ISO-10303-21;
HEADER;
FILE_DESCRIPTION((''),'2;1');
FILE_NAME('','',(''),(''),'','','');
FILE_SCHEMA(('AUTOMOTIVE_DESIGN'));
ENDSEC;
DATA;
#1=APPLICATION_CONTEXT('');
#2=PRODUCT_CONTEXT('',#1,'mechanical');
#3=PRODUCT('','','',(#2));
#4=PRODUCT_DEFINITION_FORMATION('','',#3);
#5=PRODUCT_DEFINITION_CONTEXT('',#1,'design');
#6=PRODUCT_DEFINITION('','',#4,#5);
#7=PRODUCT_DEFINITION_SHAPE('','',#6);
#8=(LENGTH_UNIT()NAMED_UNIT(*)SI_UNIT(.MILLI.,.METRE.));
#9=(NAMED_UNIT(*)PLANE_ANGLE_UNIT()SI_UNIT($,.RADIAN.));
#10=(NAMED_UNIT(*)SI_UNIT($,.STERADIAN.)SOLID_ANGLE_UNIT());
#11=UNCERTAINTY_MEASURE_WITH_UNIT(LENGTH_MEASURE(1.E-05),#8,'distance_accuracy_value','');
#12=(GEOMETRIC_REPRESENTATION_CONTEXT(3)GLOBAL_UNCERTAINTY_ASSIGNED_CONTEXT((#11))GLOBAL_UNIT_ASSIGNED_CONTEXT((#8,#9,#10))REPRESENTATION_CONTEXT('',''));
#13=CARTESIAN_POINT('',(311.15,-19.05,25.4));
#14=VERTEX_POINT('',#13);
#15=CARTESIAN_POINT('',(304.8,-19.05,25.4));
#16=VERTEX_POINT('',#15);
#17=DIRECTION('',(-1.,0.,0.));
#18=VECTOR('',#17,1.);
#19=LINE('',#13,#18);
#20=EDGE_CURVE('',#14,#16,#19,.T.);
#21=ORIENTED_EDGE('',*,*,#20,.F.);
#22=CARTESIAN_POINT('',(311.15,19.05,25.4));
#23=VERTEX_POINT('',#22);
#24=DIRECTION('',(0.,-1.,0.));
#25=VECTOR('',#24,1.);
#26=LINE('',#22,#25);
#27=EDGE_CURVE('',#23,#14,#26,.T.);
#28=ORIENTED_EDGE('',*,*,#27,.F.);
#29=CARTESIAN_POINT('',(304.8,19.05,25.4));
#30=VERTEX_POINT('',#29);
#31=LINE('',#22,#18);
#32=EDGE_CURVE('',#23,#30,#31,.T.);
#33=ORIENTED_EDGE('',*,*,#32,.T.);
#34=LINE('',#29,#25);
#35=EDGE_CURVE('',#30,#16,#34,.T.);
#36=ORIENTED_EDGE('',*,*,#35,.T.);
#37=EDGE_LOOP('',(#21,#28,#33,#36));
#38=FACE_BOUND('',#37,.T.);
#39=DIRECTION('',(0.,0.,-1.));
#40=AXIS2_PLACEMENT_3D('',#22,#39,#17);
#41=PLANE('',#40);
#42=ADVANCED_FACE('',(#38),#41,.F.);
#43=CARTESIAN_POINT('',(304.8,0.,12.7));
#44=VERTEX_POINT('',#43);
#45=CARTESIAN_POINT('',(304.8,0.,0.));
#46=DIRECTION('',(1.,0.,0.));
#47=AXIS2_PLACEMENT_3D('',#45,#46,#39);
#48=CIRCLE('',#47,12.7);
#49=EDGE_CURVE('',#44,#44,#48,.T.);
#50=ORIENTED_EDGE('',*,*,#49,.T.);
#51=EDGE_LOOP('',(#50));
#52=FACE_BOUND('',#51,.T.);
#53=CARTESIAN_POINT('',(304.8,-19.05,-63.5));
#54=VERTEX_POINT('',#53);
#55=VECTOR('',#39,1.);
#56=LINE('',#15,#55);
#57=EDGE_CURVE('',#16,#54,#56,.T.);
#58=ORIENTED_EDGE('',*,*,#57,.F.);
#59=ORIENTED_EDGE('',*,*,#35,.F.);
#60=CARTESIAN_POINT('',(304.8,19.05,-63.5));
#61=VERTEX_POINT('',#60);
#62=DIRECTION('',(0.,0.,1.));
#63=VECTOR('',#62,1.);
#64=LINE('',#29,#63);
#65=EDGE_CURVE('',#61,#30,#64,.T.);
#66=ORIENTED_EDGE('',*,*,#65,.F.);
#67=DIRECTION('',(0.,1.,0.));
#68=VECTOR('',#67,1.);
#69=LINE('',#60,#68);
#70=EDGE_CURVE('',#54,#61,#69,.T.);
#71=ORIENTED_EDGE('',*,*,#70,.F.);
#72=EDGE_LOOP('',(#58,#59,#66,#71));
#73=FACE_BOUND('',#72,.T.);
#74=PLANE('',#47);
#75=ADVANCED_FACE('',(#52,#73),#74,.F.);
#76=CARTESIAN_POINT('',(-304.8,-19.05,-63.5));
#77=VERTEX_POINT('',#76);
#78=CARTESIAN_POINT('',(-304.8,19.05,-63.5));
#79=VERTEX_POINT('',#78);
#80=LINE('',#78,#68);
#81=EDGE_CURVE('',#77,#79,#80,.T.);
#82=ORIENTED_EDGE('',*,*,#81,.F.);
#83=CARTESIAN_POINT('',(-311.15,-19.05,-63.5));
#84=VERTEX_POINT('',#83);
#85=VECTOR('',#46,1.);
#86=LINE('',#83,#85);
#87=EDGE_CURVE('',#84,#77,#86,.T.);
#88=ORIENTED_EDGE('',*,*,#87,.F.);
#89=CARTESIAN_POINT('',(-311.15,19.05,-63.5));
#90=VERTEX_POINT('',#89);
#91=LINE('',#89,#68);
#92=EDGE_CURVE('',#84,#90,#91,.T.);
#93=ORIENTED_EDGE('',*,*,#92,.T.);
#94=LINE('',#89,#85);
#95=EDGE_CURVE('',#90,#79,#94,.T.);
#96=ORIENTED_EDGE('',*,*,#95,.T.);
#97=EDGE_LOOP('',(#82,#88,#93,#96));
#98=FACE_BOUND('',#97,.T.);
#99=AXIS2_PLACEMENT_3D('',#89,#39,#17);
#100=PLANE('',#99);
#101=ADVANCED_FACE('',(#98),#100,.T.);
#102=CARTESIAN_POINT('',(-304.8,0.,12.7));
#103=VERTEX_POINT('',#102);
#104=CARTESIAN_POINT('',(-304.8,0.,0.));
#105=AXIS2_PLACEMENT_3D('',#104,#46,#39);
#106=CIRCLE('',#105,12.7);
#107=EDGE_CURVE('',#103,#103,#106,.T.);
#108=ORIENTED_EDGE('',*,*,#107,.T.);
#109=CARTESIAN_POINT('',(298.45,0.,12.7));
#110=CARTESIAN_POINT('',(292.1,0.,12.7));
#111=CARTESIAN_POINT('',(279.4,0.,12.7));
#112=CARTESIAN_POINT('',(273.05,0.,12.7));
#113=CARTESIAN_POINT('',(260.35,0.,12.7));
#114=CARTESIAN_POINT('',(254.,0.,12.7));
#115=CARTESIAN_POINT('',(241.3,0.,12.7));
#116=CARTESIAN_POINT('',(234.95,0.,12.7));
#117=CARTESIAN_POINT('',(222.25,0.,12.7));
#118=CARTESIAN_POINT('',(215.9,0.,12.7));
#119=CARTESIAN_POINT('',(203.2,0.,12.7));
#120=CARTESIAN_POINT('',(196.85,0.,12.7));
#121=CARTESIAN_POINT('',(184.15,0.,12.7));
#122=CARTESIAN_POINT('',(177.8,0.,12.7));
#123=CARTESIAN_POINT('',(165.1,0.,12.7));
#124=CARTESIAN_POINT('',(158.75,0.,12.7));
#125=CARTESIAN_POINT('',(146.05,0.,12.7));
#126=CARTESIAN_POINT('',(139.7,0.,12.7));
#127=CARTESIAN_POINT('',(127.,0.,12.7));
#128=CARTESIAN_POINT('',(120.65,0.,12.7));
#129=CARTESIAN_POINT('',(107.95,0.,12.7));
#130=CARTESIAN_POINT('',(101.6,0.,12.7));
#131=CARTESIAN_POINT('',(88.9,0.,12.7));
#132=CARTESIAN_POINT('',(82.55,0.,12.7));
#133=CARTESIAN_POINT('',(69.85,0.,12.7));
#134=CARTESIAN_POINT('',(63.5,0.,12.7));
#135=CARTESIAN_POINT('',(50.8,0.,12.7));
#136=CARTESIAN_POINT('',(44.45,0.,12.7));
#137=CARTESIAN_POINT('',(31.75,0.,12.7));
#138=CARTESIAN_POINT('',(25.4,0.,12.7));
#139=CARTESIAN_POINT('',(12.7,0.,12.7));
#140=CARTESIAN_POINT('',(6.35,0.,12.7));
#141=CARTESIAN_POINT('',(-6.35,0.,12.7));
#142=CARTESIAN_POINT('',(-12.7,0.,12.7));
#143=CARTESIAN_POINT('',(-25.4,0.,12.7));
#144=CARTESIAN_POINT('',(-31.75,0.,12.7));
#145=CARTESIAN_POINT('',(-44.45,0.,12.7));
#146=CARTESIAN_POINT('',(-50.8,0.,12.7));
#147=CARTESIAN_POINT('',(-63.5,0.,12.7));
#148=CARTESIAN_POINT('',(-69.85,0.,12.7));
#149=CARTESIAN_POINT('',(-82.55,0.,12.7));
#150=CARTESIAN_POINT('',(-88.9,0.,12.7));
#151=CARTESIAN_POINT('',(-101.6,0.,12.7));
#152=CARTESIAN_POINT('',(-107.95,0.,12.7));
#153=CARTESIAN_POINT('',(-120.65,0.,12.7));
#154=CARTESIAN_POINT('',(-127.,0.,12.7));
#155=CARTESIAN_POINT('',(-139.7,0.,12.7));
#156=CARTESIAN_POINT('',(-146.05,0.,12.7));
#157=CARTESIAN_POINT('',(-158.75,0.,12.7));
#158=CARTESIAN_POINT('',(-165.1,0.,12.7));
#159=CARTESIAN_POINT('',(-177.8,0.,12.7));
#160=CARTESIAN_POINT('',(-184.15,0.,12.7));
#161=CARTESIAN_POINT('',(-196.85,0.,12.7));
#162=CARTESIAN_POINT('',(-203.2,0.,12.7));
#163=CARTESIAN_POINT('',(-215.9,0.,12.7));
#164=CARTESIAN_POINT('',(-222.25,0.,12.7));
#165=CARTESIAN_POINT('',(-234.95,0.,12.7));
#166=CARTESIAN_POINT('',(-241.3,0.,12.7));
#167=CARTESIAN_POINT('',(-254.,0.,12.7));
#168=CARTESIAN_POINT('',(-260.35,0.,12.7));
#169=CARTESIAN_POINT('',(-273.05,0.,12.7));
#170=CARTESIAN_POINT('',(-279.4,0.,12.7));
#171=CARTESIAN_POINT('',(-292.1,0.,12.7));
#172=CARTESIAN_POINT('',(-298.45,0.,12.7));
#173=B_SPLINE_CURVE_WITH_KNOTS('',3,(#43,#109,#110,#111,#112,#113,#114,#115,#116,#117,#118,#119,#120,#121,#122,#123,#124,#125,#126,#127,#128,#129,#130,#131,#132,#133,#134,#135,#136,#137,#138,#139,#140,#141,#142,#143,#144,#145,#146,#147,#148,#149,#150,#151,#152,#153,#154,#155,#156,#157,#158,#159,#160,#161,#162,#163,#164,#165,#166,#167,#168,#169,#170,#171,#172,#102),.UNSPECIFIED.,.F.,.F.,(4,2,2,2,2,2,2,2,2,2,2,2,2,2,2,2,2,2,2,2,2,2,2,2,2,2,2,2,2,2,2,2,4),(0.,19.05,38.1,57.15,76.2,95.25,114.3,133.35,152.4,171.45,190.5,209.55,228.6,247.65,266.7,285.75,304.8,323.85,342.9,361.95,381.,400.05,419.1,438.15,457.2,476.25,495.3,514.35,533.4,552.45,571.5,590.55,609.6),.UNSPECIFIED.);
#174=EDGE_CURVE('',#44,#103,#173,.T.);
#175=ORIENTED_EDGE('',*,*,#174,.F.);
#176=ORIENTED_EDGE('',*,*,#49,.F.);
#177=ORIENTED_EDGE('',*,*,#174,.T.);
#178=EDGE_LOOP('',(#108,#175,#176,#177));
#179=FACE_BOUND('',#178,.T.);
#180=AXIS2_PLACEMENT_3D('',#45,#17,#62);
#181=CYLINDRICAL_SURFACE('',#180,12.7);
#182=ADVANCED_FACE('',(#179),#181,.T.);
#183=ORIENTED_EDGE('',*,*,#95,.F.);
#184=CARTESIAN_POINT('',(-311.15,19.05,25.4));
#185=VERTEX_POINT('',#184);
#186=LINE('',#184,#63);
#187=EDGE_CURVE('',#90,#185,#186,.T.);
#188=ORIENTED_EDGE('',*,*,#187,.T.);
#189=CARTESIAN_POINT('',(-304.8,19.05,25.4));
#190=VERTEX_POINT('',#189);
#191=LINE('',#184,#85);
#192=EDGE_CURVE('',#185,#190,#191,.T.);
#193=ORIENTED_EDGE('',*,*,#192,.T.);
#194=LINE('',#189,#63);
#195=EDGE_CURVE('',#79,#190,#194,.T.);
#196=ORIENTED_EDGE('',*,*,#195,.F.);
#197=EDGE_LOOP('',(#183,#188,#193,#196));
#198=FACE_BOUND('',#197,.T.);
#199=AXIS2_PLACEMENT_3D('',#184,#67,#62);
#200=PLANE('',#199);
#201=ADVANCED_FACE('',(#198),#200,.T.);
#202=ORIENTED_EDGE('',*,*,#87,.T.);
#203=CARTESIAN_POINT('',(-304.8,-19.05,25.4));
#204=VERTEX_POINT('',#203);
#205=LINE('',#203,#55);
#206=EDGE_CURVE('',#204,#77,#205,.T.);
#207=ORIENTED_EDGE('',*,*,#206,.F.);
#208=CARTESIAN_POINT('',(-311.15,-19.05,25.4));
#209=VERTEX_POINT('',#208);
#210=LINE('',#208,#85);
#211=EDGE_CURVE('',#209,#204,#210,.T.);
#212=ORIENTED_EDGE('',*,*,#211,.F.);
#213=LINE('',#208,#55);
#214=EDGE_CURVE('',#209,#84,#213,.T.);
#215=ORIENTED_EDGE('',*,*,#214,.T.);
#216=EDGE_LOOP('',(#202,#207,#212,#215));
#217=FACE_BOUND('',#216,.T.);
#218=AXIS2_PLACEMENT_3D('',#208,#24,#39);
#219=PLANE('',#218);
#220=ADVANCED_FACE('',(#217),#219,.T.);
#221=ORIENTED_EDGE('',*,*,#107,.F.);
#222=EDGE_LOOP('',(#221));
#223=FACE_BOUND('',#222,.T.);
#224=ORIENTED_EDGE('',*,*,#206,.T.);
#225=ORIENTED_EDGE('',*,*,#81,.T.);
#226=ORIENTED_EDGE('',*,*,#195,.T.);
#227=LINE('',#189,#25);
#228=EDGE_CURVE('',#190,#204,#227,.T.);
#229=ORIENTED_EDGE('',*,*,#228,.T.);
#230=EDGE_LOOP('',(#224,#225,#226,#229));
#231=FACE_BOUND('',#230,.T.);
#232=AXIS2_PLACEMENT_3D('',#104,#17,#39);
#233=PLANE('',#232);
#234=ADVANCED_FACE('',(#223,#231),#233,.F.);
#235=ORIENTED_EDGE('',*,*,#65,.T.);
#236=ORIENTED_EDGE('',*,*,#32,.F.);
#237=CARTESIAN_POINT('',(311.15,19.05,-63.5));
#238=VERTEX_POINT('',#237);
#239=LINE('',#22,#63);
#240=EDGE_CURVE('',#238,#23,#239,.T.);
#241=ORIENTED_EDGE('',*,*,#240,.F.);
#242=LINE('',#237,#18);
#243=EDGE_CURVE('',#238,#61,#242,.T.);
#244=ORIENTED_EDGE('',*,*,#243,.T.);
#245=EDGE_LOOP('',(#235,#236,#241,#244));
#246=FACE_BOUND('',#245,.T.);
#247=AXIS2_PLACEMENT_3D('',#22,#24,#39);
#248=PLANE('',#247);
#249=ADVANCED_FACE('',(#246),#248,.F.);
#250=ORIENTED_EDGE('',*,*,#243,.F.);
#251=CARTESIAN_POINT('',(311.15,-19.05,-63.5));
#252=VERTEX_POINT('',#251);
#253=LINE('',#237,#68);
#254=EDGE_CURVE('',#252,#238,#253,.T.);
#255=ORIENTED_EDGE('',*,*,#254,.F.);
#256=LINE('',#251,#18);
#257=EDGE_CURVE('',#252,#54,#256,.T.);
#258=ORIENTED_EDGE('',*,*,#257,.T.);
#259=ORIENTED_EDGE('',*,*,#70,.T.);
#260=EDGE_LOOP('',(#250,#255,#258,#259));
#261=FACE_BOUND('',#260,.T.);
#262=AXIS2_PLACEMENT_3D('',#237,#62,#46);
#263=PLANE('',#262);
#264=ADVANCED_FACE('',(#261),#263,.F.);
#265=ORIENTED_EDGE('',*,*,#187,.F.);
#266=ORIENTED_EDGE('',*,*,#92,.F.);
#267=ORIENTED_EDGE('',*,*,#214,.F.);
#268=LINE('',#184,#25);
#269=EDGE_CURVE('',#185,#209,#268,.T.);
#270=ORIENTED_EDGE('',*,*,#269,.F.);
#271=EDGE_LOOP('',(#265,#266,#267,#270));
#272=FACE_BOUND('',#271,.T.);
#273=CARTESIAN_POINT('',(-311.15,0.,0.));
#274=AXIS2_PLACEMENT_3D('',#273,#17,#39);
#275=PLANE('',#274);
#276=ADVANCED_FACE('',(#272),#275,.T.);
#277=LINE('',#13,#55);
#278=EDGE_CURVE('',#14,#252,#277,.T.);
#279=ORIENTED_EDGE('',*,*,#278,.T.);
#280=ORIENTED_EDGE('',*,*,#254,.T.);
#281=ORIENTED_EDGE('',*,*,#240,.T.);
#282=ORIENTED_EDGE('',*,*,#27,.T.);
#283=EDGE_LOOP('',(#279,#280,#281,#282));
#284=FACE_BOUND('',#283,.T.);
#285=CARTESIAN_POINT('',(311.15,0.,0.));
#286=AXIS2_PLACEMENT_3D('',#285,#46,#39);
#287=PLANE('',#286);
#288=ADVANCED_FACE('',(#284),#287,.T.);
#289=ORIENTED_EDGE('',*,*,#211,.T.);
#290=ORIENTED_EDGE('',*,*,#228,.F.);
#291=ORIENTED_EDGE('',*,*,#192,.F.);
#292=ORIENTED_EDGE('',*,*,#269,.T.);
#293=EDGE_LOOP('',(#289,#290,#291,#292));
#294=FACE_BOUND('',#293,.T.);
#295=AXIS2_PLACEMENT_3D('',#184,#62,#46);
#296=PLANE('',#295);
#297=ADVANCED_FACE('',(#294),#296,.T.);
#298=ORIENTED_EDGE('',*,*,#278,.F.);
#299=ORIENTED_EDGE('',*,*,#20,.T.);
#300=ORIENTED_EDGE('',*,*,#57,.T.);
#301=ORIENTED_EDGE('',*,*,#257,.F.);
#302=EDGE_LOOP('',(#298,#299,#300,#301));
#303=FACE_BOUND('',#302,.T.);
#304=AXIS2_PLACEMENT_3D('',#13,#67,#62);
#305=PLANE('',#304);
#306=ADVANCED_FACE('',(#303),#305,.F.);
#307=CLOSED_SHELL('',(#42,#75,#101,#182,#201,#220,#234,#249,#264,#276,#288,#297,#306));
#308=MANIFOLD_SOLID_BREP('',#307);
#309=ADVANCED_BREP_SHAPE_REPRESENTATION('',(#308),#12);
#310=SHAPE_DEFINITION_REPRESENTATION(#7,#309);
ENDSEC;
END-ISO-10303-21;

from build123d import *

# Parameters (mm, degrees)
SKETCH1_R           = 12.7
BOSS_EXTRUDE1_DEPTH = 304.8
SKETCH2_W           = 88.9
SKETCH2_H           = 38.1
BOSS_EXTRUDE2_DEPTH = 6.35


with BuildPart() as part:
    # Sketch1 → Boss-Extrude1 (new, symmetric)
    with BuildSketch(Plane(origin=(0, 0, 0), x_dir=(0, 0, -1), z_dir=(1, 0, 0))):
        with Locations(Location((0, 0, 0), (0, 0, 180))):
            Circle(SKETCH1_R)
    extrude(amount=BOSS_EXTRUDE1_DEPTH, both=True)

    # Sketch2 → Boss-Extrude2 (add)
    with BuildSketch(Plane(origin=(304.8, 0, 0), x_dir=(0, 0, -1), z_dir=(1, 0, 0))):
        with Locations((19.05, 0)):
            Rectangle(SKETCH2_W, SKETCH2_H)
    boss_extrude2 = extrude(amount=BOSS_EXTRUDE2_DEPTH)

    # Mirror1: Boss-Extrude2 across plane
    add(boss_extrude2.mirror(Plane(origin=(0, 0, 0), x_dir=(0, 0, 1), z_dir=(1, 0, 0))))


solid = part.part
